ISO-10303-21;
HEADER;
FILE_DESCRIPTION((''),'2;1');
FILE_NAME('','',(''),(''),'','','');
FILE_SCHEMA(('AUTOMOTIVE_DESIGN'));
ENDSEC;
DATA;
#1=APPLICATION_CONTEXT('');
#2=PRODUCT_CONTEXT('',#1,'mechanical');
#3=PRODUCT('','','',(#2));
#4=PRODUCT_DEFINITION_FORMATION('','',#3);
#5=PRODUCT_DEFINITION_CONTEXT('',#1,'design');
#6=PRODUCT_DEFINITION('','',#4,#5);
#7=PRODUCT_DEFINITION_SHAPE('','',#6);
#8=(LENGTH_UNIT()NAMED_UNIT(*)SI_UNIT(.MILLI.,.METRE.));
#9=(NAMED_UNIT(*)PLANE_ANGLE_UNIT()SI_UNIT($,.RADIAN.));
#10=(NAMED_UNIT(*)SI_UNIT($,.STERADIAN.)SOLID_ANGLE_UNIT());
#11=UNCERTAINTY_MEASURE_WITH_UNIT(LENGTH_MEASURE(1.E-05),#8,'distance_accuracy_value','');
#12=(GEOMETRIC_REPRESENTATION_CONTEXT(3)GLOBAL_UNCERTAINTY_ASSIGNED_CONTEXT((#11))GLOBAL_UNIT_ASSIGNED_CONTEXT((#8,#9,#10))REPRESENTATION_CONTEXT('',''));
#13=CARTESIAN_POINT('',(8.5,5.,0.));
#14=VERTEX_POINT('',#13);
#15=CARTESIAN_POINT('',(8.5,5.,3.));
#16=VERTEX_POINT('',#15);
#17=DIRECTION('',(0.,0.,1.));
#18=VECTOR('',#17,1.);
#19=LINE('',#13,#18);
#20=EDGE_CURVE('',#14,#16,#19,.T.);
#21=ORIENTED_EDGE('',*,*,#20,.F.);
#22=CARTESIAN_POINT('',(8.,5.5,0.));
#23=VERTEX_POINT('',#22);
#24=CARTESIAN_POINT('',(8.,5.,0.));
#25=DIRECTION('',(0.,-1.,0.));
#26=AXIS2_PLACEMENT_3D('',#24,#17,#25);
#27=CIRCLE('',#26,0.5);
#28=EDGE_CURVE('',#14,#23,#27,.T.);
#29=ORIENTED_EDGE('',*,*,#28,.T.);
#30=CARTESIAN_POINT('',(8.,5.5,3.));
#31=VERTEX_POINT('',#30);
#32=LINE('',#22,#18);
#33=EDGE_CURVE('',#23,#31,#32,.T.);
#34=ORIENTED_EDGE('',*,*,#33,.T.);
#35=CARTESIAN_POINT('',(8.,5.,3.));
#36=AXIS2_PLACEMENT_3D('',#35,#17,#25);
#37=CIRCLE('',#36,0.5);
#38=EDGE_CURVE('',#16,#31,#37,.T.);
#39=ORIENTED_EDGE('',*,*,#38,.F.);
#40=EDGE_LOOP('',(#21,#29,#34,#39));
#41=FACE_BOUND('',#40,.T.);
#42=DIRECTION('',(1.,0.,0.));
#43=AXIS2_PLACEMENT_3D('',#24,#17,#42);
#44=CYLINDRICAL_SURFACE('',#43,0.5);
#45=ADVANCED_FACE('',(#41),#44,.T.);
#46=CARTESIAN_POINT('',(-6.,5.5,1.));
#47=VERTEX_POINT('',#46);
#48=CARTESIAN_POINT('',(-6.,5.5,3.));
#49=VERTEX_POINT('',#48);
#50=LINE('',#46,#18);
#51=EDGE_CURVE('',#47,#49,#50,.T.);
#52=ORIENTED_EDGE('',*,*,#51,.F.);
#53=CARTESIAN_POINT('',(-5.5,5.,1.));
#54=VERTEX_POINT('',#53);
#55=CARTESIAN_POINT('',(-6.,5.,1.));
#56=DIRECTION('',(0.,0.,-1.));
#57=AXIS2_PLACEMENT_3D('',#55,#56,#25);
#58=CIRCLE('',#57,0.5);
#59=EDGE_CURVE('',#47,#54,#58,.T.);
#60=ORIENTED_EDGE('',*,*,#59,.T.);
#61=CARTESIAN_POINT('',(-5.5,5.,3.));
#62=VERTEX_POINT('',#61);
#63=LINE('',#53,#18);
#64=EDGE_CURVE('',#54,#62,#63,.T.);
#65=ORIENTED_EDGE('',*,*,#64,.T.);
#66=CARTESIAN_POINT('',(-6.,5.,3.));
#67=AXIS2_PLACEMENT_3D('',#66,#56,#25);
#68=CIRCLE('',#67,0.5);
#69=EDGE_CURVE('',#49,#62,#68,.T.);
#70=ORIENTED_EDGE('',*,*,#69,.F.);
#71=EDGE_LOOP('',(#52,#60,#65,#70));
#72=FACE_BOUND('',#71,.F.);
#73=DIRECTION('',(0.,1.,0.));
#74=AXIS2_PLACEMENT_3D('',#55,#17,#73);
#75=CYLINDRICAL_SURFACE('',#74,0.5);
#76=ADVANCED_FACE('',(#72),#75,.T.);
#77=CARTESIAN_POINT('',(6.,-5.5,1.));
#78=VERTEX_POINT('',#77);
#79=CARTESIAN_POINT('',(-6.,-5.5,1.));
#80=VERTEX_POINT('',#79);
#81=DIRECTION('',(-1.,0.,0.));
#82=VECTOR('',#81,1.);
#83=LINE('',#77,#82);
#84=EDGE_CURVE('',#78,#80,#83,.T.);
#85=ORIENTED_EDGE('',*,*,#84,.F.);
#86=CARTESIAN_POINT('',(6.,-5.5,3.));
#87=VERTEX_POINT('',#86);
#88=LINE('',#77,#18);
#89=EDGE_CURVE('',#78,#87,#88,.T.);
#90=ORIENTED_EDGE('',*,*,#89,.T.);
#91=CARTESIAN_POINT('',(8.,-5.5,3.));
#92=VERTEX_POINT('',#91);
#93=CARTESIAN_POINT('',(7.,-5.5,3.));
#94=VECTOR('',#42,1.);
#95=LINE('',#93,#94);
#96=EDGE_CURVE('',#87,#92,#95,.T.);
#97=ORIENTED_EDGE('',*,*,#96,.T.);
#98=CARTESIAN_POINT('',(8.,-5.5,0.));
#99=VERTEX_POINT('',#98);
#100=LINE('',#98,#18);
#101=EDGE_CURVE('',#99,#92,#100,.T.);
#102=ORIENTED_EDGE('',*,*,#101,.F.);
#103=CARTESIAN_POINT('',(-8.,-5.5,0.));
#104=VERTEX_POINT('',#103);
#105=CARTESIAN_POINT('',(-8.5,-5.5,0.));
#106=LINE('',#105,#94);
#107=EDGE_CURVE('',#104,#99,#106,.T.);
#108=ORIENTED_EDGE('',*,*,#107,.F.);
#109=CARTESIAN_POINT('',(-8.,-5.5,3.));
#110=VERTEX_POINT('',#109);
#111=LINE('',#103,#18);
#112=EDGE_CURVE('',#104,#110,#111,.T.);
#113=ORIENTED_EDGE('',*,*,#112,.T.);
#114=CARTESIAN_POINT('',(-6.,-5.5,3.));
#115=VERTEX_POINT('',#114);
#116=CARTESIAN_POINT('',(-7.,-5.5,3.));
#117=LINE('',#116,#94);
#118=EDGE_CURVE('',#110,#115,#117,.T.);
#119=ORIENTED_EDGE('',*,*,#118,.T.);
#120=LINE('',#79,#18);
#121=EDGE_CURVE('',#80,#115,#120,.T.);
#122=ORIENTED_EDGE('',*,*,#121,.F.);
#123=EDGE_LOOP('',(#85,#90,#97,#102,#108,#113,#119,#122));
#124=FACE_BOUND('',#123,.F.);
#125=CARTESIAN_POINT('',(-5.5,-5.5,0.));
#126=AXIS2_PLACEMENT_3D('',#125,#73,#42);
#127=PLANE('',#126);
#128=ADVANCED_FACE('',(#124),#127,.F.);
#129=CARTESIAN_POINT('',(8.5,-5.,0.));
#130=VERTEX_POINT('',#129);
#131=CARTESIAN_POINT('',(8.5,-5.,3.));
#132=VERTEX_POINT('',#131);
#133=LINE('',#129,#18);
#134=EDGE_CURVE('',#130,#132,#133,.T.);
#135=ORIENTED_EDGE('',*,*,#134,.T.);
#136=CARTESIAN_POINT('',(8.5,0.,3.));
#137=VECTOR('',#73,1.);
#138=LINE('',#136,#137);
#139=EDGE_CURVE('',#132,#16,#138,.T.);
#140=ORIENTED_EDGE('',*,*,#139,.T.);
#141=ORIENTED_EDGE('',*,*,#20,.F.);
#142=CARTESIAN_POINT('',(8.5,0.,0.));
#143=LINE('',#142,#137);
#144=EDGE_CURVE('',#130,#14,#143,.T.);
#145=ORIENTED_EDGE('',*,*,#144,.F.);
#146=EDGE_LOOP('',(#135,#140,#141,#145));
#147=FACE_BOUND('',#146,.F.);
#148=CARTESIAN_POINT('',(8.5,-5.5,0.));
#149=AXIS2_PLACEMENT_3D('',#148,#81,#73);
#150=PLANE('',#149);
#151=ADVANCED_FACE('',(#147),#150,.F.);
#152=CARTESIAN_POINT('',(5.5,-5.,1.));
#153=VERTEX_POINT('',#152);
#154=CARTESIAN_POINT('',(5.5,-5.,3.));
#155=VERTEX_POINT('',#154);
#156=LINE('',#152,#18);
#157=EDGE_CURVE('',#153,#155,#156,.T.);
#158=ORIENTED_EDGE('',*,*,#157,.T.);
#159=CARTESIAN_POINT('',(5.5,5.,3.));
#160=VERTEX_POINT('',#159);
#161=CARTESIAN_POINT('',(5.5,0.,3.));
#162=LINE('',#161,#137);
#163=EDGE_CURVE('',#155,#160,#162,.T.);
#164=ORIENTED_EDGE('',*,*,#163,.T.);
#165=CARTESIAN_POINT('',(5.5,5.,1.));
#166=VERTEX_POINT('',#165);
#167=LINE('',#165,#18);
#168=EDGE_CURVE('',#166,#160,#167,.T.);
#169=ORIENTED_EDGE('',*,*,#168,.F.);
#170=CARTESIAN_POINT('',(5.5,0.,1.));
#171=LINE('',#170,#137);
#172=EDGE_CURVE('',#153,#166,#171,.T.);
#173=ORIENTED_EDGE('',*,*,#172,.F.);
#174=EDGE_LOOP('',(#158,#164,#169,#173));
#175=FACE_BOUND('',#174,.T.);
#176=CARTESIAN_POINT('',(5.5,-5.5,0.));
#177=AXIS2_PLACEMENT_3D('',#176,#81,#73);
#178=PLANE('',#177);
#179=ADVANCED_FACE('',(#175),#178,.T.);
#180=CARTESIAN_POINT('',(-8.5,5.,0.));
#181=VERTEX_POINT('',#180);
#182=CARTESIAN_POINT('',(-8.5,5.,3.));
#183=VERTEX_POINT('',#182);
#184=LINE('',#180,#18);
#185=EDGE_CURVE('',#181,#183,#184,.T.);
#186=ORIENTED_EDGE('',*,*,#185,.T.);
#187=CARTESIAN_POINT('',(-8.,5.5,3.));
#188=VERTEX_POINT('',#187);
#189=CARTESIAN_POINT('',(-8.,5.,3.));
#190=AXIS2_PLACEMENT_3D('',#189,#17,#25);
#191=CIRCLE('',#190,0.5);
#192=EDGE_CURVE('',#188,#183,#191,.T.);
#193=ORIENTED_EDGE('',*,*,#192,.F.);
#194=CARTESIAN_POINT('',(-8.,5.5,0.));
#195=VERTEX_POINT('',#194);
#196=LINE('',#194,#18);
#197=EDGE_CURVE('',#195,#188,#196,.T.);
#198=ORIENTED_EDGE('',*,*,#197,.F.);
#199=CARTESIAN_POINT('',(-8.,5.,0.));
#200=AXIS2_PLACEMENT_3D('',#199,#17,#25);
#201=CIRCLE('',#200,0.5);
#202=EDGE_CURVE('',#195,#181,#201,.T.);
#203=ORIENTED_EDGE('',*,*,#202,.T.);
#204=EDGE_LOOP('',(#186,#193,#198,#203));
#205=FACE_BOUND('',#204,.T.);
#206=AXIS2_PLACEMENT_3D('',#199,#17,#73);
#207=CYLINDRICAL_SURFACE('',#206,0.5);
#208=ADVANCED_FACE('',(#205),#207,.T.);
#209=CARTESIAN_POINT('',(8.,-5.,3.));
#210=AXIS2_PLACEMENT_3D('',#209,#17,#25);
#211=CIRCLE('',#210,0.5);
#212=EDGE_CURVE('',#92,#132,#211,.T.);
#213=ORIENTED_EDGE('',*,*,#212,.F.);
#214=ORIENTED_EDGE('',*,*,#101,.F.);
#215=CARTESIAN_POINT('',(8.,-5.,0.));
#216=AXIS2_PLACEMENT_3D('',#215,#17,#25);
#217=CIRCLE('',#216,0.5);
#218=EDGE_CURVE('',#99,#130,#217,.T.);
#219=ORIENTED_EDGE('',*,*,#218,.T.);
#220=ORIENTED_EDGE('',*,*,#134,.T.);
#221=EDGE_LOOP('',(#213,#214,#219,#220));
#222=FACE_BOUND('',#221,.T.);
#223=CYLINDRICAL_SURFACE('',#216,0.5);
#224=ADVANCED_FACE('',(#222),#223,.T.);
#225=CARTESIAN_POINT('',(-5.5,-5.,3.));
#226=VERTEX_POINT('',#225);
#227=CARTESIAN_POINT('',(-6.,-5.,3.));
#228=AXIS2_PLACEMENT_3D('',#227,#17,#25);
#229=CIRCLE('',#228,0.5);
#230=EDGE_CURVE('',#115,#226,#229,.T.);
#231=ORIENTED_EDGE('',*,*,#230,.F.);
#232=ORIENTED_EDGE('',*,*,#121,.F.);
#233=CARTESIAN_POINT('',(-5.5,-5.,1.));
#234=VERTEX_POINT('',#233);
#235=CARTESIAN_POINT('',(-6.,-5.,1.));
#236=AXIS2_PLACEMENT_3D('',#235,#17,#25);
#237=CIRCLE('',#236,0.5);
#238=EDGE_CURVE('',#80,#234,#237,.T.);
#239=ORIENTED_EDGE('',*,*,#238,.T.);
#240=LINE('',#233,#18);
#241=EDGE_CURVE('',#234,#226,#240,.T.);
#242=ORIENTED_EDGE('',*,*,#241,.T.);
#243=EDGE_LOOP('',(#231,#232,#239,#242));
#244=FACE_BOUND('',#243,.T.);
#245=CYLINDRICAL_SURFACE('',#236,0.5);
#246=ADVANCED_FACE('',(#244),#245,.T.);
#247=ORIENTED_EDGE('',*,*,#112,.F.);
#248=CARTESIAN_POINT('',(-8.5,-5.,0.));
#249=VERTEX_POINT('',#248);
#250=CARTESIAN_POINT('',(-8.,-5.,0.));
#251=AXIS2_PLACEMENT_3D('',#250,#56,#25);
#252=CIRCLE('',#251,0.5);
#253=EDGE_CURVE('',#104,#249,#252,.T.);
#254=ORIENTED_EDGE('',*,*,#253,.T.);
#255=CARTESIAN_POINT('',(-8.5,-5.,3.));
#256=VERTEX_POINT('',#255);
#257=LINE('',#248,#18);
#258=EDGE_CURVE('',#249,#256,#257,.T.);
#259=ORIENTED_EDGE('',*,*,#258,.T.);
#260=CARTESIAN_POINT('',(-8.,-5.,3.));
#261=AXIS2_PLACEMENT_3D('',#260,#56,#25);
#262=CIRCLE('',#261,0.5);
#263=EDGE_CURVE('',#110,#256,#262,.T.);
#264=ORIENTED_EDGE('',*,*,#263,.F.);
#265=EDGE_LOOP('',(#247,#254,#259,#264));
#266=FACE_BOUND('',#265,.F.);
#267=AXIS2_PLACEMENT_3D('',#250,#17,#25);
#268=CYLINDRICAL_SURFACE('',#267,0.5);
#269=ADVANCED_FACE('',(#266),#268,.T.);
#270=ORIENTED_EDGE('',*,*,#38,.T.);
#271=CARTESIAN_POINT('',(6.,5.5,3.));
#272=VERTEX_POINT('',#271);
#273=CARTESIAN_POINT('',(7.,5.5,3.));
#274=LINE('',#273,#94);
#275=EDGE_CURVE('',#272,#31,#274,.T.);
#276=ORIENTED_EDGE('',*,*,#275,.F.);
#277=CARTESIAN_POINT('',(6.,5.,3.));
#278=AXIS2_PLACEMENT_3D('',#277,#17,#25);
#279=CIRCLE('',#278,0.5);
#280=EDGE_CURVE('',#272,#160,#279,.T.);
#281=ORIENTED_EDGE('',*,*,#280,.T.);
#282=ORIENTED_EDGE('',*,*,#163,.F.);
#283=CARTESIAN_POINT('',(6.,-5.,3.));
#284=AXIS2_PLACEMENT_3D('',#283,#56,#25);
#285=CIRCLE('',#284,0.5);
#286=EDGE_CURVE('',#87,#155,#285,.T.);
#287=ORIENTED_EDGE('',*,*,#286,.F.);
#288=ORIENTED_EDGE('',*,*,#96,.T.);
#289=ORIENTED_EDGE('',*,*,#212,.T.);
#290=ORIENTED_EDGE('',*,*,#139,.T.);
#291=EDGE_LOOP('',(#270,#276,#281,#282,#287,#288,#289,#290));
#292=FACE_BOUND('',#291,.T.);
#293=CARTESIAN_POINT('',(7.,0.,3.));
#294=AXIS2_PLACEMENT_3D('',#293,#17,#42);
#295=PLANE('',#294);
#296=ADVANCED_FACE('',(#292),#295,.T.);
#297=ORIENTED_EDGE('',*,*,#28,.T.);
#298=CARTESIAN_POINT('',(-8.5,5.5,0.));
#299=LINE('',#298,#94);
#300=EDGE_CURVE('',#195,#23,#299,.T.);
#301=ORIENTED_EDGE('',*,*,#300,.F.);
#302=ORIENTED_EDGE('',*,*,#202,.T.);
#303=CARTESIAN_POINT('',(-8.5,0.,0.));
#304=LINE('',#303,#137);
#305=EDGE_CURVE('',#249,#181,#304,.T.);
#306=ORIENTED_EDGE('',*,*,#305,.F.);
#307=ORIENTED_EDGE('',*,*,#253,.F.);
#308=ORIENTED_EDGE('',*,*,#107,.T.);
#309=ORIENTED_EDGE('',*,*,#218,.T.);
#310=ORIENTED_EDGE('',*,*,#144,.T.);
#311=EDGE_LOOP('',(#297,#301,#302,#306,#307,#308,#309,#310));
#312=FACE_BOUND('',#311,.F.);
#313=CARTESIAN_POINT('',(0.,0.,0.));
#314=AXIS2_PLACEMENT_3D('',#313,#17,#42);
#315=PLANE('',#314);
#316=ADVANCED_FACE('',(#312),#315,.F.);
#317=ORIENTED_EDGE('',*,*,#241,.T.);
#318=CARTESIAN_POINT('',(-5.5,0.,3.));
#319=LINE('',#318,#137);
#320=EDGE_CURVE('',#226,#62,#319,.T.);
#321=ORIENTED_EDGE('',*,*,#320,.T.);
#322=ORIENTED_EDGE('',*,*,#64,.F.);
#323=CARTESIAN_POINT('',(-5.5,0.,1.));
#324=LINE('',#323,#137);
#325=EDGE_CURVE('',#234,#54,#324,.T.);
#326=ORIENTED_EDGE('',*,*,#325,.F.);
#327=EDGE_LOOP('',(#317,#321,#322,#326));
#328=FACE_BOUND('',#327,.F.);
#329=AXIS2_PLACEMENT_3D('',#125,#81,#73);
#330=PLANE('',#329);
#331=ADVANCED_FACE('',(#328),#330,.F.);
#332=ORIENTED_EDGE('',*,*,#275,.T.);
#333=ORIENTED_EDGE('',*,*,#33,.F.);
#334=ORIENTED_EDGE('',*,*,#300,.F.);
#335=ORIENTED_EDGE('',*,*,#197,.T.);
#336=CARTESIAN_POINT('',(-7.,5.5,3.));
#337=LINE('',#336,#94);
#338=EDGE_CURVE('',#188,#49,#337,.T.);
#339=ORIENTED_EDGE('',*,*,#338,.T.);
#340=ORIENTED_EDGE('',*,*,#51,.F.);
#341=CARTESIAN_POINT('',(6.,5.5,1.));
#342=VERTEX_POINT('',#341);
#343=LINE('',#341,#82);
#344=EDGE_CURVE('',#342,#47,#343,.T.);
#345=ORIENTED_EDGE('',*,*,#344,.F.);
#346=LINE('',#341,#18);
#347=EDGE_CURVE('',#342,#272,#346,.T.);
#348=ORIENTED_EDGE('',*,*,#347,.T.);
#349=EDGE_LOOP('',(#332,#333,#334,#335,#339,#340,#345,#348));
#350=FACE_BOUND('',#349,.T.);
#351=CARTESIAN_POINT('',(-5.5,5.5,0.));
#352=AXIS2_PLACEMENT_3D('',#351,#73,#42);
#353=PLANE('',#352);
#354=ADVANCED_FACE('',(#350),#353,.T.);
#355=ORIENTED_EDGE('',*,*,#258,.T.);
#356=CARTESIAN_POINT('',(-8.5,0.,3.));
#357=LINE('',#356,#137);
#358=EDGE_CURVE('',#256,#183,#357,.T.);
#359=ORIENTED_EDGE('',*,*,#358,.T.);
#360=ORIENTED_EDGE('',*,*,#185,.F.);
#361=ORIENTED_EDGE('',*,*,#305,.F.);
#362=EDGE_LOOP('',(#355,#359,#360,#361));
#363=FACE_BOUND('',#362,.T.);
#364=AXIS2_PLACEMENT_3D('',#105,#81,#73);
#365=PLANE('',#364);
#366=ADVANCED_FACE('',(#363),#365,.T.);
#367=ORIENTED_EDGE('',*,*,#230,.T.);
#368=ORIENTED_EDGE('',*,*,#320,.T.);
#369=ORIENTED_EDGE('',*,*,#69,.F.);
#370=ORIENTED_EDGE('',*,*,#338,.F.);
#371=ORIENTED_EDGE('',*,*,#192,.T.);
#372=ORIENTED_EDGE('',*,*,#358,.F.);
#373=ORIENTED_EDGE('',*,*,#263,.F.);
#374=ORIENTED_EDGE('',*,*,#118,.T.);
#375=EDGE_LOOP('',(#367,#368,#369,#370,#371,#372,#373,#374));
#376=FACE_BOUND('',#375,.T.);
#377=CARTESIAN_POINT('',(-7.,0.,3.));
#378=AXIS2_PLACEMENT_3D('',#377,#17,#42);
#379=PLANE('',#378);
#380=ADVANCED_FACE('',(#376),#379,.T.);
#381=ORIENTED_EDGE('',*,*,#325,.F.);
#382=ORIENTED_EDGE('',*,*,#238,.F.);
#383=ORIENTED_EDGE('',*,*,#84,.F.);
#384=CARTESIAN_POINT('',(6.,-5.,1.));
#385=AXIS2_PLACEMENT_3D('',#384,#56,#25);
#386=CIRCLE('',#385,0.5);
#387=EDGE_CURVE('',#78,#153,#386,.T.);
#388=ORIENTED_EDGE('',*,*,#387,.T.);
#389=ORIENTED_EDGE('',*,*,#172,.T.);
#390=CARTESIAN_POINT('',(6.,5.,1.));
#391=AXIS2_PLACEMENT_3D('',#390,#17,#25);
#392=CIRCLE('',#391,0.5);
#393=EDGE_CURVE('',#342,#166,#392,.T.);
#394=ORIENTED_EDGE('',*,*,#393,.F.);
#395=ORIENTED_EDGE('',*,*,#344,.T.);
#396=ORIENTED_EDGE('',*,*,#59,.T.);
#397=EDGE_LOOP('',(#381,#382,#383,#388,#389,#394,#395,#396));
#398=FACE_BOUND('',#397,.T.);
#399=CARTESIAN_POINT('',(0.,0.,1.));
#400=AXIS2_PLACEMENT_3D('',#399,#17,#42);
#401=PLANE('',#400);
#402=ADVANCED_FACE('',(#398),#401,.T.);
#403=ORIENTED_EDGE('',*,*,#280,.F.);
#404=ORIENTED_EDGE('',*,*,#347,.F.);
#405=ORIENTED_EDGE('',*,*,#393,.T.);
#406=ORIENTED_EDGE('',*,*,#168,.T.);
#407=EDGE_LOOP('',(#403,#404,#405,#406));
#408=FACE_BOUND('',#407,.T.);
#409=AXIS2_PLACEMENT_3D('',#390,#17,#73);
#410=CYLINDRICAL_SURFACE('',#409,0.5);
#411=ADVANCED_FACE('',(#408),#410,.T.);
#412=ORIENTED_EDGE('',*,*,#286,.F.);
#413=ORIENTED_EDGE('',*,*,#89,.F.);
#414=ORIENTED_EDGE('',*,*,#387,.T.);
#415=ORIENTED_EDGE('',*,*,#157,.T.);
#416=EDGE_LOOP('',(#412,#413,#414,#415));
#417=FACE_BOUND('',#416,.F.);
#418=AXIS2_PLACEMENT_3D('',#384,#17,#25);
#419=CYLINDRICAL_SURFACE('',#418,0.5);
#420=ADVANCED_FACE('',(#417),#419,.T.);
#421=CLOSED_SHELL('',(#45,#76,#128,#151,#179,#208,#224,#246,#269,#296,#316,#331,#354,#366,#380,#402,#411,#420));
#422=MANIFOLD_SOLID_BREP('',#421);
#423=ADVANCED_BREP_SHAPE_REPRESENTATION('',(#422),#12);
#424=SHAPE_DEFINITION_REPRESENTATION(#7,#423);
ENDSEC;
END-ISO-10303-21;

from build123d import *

# Parameters (mm, degrees)
F0_W     = 3
F0_H     = 11
F1_DEPTH = 3
F0_W_2   = 11
F2_DEPTH = 1
F3_R     = 0.5


with BuildPart() as f1:
    # F0 (on Top) → F1 (new body)
    with BuildSketch(Plane.XY):
        with Locations((-7, 0)):
            Rectangle(F0_W, F0_H)
        with Locations((7, 0)):
            Rectangle(F0_W, F0_H)
    extrude(amount=F1_DEPTH)

    # F0 (on Top) → F2 (join)
    with BuildSketch(Plane.XY):
        Rectangle(F0_W_2, F0_H)
    extrude(amount=F2_DEPTH)

    # F3
    f3_edges = [f1.edges().sort_by_distance(p)[0] for p in [
        (-5.5, -5.5, 2),
        (5.5, -5.5, 2),
        (8.5, -5.5, 1.5),
        (8.5, 5.5, 1.5),
        (-8.5, -5.5, 1.5),
        (-5.5, 5.5, 2),
        (-8.5, 5.5, 1.5),
        (5.5, 5.5, 2),
    ]]
    fillet(f3_edges, radius=F3_R)


solid = f1.part
